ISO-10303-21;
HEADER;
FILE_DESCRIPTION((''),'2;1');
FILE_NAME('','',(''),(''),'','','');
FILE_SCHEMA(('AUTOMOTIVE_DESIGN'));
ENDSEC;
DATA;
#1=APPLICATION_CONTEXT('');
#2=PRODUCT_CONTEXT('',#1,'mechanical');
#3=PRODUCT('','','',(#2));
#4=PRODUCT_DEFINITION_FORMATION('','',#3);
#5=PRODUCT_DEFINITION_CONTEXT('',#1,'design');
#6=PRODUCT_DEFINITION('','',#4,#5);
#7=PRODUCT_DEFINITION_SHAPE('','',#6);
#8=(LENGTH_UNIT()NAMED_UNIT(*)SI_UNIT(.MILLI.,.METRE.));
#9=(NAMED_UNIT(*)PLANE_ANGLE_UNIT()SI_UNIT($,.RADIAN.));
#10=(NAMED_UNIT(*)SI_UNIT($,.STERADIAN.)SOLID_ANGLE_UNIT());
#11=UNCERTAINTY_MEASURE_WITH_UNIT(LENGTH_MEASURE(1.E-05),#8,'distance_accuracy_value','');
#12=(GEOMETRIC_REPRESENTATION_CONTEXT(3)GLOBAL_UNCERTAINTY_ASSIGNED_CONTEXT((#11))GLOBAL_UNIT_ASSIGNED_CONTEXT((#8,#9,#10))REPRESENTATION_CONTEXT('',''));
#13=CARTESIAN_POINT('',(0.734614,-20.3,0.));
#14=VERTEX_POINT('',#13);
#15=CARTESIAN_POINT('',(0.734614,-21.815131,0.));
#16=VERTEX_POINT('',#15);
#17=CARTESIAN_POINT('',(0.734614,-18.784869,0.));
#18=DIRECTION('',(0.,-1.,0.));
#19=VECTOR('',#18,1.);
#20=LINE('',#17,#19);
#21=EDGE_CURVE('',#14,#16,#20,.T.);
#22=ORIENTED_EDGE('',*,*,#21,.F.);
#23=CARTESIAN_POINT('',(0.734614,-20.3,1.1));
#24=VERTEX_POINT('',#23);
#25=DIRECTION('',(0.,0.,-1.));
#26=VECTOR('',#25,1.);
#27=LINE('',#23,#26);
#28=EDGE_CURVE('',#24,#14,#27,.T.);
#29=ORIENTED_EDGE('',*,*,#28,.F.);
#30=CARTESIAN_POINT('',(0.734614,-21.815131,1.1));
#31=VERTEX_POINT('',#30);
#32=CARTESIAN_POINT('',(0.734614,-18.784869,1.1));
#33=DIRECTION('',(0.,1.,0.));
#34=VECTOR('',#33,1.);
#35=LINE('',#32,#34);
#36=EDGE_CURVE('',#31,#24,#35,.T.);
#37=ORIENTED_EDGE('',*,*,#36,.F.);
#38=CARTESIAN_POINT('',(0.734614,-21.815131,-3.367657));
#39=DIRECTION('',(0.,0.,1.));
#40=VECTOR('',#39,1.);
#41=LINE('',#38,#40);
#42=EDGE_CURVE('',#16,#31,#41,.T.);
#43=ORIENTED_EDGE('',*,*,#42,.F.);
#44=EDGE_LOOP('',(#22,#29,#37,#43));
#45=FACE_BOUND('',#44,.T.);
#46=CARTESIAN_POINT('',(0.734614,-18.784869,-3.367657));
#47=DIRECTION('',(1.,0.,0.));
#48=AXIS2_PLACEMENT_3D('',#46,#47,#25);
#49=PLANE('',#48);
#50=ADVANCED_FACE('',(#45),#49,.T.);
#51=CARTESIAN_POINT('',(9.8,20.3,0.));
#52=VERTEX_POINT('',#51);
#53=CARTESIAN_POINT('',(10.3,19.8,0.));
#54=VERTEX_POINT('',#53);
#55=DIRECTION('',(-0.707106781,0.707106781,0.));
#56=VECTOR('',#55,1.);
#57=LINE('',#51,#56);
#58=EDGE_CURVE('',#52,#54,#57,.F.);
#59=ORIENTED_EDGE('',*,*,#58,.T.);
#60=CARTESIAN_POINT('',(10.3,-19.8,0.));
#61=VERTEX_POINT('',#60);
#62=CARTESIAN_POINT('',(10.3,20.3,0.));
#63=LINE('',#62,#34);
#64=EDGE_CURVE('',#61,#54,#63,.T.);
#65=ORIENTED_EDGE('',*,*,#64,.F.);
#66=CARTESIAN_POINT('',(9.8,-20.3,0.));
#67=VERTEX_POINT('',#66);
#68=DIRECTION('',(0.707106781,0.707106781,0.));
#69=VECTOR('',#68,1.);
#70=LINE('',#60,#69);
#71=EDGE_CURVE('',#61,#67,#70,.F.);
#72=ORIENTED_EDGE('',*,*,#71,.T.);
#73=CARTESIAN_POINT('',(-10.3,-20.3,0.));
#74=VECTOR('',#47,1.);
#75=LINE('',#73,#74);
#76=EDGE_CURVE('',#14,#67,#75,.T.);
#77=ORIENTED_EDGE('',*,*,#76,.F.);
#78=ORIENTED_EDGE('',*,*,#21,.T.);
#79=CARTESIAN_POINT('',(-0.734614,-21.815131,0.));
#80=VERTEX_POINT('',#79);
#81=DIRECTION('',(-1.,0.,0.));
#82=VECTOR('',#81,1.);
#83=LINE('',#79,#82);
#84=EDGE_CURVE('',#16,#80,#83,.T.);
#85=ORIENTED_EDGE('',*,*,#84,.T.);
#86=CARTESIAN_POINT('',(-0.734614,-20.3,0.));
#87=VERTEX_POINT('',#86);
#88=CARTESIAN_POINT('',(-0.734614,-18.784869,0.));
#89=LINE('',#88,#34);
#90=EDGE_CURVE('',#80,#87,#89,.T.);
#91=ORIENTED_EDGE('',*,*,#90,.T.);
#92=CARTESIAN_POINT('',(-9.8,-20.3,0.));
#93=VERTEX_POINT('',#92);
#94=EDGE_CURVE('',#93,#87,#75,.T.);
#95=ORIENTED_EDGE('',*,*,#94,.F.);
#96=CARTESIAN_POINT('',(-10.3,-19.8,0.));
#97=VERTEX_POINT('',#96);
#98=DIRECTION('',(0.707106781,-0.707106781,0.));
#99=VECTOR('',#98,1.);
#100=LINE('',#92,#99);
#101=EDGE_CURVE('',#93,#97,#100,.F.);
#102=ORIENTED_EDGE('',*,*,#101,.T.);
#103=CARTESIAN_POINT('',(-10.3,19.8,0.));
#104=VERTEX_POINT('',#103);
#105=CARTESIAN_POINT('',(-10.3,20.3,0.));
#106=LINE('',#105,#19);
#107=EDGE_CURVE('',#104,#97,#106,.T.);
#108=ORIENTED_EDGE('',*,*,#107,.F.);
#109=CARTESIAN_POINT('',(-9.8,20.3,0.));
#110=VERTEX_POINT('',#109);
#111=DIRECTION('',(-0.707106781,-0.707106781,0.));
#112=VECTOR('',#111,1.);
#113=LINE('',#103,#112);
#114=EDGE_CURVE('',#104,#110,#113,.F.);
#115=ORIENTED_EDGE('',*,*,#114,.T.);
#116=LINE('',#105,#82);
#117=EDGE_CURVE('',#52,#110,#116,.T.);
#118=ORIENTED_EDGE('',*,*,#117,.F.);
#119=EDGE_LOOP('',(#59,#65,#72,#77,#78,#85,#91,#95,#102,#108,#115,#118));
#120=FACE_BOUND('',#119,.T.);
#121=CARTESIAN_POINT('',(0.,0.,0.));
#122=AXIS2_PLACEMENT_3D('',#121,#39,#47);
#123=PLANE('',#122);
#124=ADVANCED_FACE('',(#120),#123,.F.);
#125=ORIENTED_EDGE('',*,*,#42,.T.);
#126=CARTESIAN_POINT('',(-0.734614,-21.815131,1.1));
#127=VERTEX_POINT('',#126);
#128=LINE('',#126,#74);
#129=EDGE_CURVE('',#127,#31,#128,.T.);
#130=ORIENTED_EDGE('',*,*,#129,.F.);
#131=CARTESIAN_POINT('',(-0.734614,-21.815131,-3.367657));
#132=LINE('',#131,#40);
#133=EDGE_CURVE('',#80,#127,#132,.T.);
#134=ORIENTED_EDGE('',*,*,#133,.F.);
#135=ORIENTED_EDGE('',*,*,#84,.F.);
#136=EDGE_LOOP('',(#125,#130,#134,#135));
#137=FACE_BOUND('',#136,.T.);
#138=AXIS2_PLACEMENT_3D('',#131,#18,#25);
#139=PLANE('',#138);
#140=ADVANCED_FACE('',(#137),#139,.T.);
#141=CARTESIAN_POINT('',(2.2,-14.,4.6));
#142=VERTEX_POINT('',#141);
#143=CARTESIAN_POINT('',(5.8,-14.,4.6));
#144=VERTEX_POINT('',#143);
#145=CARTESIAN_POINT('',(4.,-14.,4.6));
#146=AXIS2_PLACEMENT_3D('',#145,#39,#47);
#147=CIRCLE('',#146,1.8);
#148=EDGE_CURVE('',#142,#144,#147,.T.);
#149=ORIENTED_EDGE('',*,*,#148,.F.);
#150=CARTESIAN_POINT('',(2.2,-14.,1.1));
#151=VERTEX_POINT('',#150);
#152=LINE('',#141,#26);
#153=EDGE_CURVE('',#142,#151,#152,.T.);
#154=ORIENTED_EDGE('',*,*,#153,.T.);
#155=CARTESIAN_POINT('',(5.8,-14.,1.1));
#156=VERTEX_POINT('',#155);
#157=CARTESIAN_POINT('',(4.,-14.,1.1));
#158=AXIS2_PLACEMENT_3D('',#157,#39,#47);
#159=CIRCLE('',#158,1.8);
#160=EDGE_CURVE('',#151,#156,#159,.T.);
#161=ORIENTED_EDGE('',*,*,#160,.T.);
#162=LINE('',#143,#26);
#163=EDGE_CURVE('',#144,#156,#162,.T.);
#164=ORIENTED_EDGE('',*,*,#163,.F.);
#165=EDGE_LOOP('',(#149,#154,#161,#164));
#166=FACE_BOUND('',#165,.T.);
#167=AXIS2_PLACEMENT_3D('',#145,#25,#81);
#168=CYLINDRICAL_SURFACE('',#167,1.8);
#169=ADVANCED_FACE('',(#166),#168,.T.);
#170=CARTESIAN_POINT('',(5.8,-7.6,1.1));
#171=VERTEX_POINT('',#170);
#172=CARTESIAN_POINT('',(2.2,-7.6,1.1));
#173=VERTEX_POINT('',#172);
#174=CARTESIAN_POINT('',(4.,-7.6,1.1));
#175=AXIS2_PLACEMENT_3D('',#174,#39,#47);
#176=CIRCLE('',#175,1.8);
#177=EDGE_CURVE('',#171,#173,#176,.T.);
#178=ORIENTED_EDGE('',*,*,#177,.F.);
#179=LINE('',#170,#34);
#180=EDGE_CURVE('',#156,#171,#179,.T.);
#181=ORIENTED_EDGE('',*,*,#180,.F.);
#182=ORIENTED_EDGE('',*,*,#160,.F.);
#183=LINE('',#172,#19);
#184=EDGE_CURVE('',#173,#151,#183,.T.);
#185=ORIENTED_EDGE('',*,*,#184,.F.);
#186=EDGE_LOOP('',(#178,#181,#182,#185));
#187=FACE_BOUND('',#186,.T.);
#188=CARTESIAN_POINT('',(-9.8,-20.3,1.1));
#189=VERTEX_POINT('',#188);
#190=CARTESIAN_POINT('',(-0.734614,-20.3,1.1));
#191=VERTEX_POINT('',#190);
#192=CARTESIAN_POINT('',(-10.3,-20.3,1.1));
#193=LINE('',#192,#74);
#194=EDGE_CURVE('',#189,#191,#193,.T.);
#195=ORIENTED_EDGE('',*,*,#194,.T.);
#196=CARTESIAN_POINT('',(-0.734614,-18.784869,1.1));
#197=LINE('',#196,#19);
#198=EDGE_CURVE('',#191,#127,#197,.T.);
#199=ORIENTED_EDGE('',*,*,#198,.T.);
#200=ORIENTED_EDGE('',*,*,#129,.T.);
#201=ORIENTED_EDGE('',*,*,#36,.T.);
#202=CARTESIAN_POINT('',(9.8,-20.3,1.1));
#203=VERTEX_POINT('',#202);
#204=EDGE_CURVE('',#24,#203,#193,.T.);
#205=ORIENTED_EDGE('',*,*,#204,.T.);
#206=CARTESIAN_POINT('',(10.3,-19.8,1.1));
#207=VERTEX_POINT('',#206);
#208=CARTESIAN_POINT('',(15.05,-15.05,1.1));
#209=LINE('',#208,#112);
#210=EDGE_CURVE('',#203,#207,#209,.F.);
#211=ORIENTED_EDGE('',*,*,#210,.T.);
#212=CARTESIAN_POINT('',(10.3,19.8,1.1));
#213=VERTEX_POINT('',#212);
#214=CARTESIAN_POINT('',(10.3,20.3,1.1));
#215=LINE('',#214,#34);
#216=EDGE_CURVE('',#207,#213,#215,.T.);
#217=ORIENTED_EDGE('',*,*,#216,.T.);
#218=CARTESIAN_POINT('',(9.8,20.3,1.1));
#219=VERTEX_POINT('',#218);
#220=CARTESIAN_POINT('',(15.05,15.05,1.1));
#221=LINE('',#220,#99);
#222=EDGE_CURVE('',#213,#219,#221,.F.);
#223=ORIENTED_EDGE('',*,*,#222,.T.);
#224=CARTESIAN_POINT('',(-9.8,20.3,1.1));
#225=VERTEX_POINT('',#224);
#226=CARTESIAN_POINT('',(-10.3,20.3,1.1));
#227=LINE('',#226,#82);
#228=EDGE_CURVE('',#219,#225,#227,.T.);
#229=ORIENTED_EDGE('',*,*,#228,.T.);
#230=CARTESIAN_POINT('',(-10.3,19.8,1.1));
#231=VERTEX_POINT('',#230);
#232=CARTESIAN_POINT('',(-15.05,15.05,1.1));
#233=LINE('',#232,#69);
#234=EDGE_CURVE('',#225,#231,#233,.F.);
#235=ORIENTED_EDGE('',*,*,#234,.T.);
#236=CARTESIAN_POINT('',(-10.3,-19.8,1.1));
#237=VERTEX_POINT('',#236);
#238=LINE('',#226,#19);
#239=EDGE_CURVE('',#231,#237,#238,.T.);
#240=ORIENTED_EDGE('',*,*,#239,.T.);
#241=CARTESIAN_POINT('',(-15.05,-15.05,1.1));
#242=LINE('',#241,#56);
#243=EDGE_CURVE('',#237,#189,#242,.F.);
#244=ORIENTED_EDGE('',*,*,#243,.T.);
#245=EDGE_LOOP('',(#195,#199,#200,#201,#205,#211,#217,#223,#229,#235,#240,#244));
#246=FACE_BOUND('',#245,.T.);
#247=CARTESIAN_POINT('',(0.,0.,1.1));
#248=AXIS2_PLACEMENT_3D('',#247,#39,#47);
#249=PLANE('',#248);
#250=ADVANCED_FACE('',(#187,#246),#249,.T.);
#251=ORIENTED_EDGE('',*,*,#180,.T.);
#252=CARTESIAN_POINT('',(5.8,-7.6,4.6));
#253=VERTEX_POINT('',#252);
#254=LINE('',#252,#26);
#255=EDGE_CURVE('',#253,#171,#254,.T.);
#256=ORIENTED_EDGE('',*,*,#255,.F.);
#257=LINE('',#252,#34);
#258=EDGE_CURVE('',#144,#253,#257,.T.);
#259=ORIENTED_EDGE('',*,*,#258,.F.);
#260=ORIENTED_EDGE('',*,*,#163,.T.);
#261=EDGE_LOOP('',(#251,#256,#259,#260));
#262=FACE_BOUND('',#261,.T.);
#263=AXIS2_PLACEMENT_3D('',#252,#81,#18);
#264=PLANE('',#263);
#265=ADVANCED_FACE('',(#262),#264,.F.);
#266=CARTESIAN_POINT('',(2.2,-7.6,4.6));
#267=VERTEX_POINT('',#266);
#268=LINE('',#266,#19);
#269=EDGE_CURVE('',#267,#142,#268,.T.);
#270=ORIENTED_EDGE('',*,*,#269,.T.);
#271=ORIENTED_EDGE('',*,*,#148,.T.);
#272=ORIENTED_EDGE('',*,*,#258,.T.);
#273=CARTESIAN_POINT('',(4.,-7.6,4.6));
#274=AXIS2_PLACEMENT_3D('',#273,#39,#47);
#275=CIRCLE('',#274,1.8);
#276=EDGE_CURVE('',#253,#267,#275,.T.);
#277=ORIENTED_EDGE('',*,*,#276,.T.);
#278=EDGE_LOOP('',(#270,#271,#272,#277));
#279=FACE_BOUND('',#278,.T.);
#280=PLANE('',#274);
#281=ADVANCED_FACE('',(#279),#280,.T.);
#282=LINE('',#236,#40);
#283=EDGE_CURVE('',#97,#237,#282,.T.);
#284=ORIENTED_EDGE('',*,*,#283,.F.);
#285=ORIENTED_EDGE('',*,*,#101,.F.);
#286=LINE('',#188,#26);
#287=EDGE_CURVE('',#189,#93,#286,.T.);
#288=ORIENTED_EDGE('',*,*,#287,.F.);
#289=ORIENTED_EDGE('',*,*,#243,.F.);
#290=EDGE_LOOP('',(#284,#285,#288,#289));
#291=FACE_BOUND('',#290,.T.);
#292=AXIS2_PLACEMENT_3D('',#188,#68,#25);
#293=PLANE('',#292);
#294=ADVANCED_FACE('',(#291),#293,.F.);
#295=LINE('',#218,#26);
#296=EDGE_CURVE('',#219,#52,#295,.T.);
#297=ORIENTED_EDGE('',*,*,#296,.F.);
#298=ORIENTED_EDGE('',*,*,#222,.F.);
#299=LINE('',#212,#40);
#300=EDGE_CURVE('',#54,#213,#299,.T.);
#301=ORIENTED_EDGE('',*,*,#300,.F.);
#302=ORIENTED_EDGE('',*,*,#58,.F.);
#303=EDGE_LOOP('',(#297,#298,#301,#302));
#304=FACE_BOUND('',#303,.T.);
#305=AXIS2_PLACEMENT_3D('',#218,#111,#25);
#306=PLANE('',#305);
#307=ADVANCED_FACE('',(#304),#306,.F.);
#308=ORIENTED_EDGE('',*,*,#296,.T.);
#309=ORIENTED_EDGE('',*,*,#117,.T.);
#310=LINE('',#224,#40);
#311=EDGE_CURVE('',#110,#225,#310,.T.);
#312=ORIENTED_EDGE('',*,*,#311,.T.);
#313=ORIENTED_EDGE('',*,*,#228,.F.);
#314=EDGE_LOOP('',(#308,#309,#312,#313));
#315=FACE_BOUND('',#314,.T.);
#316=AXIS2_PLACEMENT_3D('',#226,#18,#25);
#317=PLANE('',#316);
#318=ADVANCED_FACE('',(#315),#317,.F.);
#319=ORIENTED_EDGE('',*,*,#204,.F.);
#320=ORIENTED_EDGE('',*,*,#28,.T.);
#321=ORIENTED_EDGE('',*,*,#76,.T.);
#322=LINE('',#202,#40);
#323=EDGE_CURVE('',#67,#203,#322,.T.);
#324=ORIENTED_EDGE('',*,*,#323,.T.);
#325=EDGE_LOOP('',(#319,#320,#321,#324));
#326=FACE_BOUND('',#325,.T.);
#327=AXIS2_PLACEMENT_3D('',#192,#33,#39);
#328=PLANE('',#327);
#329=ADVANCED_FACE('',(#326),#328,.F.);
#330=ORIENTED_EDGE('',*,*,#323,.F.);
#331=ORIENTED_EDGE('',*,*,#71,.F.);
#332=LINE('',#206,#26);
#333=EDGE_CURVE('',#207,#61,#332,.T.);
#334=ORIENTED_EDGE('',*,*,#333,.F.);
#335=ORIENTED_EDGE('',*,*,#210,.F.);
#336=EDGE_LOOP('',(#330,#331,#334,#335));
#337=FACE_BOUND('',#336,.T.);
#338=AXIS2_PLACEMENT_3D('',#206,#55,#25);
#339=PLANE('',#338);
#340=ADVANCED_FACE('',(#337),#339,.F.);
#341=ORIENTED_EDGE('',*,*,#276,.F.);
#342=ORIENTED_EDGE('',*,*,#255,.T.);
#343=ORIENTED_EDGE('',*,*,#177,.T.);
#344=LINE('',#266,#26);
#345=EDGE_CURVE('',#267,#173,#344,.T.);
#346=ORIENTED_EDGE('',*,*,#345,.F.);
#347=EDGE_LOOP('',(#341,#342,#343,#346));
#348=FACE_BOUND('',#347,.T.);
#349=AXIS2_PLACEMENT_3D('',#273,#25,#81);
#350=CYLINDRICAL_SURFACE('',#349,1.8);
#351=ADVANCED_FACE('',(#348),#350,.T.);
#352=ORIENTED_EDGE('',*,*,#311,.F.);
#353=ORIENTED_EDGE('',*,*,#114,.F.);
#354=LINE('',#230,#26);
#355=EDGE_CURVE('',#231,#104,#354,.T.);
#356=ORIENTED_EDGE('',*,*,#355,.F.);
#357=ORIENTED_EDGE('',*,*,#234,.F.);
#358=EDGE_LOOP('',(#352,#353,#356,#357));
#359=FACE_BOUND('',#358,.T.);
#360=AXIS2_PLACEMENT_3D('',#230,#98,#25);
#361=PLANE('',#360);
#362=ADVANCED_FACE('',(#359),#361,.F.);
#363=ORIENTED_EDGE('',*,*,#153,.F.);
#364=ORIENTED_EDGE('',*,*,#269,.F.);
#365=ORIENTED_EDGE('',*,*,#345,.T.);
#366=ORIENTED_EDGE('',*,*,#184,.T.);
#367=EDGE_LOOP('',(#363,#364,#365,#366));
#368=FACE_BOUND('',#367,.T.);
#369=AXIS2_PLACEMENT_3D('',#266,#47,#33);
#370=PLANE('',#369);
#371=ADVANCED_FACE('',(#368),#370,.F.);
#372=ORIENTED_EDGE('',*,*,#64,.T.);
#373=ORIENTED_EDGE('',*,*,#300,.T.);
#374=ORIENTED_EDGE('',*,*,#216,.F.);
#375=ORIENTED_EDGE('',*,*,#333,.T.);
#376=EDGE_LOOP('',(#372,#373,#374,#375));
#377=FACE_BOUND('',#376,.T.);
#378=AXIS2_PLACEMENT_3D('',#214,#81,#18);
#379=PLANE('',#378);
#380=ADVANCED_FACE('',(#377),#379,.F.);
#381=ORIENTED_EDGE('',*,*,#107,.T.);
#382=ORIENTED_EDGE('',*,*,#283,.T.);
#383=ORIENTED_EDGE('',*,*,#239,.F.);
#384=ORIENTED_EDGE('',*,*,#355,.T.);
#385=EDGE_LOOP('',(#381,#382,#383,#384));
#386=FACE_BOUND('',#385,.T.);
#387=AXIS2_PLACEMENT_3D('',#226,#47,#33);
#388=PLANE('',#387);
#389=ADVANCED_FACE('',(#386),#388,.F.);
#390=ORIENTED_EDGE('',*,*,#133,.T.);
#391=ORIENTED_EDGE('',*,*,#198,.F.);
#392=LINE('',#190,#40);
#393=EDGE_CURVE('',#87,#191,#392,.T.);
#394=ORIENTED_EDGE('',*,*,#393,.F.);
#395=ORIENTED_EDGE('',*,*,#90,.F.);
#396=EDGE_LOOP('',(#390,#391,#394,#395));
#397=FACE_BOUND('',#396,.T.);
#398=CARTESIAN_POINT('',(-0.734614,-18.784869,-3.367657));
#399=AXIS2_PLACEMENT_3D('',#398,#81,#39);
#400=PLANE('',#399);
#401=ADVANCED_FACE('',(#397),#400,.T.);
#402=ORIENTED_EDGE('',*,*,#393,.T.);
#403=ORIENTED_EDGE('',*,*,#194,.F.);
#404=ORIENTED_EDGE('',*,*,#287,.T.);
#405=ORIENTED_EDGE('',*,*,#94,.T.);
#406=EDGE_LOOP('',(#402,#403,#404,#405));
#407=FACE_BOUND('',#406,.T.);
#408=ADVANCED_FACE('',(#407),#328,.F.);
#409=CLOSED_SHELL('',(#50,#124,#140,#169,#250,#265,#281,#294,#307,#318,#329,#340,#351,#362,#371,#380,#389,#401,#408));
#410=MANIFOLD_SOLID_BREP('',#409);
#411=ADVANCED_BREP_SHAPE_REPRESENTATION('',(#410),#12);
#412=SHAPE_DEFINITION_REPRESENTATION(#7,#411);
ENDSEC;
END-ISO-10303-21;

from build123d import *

# Parameters (mm, degrees)
SKETCH_1_W      = 20.6
SKETCH_1_H      = 40.6
EXTRUDE_1_DEPTH = 1.1
EXTRUDE_2_DEPTH = 3.5
SKETCH_3_W      = 1.46922728
SKETCH_3_H      = 3.03026103
EXTRUDE_3_DEPTH = 1.1
CHAMFER_1_SIZE  = 0.5


with BuildPart() as part:
    # Эскиз1 → Бобышка-Вытянуть1 (new body)
    with BuildSketch(Plane.XY):
        Rectangle(SKETCH_1_W, SKETCH_1_H)
    extrude(amount=EXTRUDE_1_DEPTH)

    # Эскиз2 → Бобышка-Вытянуть2 (add)
    with BuildSketch(Plane.XY.offset(1.1)):
        with BuildLine():
            Line((5.8, -7.6), (5.8, -14))
            ThreePointArc((5.8, -14), (4, -15.8), (2.2, -14))
            Line((2.2, -14), (2.2, -7.6))
            ThreePointArc((2.2, -7.6), (4, -5.8), (5.8, -7.6))
        make_face()
    extrude(amount=EXTRUDE_2_DEPTH)

    # Эскиз3 → Бобышка-Вытянуть3 (add)
    with BuildSketch(Plane.XY.offset(1.1)):
        with Locations((0, -20.3)):
            Rectangle(SKETCH_3_W, SKETCH_3_H)
    extrude(amount=-EXTRUDE_3_DEPTH)

    # Фаска1
    chamfer_1_edges = [part.edges().sort_by_distance(p)[0] for p in [
        (10.3, -20.3, 0.55),
        (-10.3, -20.3, 0.55),
        (-10.3, 20.3, 0.55),
        (10.3, 20.3, 0.55),
    ]]
    chamfer(chamfer_1_edges, length=CHAMFER_1_SIZE)


solid = part.part
